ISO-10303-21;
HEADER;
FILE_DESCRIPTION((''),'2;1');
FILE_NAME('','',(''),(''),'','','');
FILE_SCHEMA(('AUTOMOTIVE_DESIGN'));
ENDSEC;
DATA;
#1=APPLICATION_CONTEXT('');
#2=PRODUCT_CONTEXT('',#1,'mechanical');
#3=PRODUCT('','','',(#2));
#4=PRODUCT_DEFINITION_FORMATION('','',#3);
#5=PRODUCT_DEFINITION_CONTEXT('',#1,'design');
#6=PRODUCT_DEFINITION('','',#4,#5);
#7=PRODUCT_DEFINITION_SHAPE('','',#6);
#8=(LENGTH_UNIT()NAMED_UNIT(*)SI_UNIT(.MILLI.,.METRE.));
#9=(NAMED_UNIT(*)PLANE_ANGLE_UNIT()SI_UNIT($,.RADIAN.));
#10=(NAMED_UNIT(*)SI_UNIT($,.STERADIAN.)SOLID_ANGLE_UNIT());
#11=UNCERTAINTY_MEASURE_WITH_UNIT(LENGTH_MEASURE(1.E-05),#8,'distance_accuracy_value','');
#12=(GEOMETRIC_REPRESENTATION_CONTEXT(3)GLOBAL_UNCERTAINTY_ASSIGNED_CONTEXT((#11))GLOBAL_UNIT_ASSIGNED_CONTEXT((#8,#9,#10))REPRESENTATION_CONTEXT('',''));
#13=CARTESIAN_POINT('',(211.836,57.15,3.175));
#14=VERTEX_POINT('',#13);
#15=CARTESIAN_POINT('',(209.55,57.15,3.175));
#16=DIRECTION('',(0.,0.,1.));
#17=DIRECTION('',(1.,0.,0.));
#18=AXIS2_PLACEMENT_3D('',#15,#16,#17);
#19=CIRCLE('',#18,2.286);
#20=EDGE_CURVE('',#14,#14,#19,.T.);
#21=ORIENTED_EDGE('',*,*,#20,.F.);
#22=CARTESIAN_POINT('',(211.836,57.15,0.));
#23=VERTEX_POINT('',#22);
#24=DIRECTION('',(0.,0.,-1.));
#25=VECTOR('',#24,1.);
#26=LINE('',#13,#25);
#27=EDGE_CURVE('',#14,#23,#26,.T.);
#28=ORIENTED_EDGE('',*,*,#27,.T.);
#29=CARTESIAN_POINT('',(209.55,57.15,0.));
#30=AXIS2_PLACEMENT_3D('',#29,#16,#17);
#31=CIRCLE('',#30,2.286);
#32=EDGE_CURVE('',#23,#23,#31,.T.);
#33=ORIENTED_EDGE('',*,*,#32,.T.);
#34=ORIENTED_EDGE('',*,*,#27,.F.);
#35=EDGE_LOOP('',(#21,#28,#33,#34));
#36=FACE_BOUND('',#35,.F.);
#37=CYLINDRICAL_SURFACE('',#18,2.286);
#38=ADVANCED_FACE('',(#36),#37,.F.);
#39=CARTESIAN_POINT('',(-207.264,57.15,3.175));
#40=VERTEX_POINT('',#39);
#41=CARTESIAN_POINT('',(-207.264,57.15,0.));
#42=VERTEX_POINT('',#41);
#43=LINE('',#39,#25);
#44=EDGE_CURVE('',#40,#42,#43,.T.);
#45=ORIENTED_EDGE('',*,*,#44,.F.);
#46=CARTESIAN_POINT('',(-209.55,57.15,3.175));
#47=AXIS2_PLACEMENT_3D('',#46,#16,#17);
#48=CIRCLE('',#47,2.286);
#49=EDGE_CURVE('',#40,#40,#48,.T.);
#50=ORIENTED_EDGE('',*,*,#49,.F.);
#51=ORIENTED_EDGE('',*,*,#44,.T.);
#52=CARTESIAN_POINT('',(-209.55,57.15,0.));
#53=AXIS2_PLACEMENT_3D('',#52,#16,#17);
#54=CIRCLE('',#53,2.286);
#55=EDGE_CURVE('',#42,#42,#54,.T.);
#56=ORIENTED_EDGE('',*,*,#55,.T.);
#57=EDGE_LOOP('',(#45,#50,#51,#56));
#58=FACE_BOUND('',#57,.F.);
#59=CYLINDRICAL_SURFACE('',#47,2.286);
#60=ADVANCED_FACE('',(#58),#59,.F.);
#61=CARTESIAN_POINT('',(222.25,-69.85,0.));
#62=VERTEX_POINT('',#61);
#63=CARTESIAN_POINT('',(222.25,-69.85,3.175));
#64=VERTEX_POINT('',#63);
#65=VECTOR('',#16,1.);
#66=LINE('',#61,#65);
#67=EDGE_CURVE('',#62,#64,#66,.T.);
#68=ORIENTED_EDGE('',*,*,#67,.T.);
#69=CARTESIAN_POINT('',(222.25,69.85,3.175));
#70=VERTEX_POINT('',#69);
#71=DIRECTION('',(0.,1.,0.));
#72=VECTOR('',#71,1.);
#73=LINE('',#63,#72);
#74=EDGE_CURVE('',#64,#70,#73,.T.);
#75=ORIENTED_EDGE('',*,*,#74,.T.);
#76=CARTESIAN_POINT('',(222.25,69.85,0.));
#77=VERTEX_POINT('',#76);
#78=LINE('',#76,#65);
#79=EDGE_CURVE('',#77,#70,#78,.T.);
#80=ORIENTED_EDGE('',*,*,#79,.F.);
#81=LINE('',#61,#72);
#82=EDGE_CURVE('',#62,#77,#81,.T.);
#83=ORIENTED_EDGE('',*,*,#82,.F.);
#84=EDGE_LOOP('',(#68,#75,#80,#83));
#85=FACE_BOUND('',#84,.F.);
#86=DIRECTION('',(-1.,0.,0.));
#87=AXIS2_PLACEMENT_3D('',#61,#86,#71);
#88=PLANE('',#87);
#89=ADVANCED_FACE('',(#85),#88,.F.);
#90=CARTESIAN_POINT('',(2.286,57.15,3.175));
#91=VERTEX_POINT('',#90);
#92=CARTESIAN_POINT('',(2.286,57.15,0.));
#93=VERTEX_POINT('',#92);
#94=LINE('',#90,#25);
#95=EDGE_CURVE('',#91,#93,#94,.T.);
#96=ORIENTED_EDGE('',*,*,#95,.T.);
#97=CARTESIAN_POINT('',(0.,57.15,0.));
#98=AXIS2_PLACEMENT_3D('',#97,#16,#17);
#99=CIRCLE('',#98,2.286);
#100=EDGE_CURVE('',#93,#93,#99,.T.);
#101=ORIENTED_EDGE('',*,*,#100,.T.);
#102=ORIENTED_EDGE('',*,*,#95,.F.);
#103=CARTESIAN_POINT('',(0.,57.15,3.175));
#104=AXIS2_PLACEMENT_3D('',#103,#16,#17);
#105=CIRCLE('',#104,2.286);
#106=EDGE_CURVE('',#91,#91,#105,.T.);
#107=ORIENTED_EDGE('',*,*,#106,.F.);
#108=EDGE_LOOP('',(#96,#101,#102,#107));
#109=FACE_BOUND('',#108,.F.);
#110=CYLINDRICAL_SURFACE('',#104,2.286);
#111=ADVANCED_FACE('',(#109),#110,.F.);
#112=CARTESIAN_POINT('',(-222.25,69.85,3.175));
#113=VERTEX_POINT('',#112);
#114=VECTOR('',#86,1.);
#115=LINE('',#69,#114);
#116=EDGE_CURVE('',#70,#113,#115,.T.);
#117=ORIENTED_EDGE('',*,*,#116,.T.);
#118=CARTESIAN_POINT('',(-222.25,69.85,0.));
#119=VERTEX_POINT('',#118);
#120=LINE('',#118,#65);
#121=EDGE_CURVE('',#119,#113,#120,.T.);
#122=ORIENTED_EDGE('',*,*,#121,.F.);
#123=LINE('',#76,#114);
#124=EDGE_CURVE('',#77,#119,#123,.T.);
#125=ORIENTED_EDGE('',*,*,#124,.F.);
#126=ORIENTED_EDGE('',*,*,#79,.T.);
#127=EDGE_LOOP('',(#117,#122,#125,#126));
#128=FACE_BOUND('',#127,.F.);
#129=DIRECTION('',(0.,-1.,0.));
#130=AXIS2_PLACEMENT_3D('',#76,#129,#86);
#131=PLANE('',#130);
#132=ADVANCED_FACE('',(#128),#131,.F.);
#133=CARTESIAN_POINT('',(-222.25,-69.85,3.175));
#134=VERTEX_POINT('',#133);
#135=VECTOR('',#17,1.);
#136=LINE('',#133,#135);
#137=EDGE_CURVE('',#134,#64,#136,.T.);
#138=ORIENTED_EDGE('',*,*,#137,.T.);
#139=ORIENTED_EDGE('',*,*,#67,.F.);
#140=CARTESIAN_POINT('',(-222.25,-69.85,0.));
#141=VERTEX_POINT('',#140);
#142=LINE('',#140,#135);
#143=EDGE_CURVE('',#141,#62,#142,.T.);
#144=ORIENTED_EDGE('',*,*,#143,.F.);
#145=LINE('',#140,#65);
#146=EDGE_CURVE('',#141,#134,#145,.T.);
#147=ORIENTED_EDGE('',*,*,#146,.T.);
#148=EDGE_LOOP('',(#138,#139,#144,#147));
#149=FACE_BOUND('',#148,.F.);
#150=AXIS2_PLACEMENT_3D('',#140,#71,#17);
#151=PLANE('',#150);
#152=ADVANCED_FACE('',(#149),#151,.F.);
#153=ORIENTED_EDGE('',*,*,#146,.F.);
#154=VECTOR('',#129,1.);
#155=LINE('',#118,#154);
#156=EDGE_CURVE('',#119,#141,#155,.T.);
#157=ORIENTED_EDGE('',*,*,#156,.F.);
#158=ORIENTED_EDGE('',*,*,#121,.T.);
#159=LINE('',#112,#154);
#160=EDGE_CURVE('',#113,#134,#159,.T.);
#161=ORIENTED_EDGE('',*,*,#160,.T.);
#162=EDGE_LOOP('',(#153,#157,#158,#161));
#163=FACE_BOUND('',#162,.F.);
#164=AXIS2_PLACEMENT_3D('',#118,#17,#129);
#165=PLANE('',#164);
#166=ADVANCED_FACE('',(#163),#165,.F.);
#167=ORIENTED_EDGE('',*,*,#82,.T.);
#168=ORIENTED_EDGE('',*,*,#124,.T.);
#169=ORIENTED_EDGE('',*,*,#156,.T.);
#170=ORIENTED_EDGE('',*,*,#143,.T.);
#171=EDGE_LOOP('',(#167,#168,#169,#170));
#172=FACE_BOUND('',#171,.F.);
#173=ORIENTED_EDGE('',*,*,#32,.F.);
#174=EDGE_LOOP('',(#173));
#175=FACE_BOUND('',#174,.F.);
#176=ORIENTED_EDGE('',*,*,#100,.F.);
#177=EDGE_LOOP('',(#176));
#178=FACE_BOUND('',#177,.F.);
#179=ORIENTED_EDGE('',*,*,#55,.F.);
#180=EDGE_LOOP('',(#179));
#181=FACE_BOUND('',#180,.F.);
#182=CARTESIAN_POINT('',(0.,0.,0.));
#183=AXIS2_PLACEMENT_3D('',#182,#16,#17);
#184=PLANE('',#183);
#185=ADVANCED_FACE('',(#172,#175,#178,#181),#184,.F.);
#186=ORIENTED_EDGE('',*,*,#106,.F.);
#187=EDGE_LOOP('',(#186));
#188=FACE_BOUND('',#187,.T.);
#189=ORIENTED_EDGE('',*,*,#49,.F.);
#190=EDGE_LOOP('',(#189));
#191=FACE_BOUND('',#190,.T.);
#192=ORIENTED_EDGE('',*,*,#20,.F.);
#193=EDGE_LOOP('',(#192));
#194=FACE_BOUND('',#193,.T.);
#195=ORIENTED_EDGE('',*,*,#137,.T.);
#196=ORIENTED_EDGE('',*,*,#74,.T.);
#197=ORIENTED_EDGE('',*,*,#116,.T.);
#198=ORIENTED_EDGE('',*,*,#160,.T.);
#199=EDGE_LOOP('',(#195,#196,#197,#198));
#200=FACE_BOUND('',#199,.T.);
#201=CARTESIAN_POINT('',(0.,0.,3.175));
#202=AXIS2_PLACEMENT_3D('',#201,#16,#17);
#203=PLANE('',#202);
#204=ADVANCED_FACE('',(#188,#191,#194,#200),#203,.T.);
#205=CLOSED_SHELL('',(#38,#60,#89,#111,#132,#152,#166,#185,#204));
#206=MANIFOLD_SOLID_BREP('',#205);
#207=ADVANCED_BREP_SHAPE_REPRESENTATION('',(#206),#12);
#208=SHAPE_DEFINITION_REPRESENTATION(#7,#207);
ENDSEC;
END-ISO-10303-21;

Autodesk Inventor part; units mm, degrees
ref_plane "YZ Plane" through (0, 0, 0) normal (1, 0, 0) x (0, 1, 0)
ref_plane "XZ Plane" through (0, 0, 0) normal (0, 1, 0) x (-1, 0, 0)
ref_plane "XY Plane" through (0, 0, 0) normal (0, 0, 1) x (1, 0, 0)
sketch "Sketch1" plane through (0, 0, 0) normal (0, 0, 1) x (1, 0, 0)
  line L0 (-222.25, -69.85) -> (222.25, -69.85)
  line L1 (222.25, -69.85) -> (222.25, 69.85)
  line L2 (222.25, 69.85) -> (-222.25, 69.85)
  line L3 (-222.25, 69.85) -> (-222.25, -69.85)
  line L4 (-222.25, -69.85) -> (222.25, 69.85) construction
  line L5 (222.25, -69.85) -> (-222.25, 69.85) construction
  point P0 (0, 0)
  dimension "d0" = 444.5
  dimension "d1" = 139.7
extrude "Extrusion1" add sketch "Sketch1" along normal blind 3.175
sketch "Sketch2" plane through (0, 0, 3.175) normal (0, 0, 1) x (1, 0, 0)
  circle A0 centre (209.55, 57.15) radius 2.286
  line L0 (222.25, -69.85) -> (222.25, 69.85) projected
  line L1 (222.25, 69.85) -> (-222.25, 69.85) projected
  circle A1 centre (-209.55, 57.15) radius 2.286
  line L2 (-222.25, 69.85) -> (-222.25, -69.85) projected
  circle A2 centre (0, 57.15) radius 2.286
  point P0 (0, 0)
  dimension "d4" = 4.572
  dimension "d5" = 12.7
  dimension "d6" = 12.7
  dimension "d7" = 4.572
  dimension "d8" = 12.7
  dimension "d9" = 12.7
  dimension "d10" = 4.572
  dimension "d11" = 12.7
extrude "Extrusion2" cut sketch "Sketch2" against normal blind 3.175
properties part number "Drive Side Plates"
